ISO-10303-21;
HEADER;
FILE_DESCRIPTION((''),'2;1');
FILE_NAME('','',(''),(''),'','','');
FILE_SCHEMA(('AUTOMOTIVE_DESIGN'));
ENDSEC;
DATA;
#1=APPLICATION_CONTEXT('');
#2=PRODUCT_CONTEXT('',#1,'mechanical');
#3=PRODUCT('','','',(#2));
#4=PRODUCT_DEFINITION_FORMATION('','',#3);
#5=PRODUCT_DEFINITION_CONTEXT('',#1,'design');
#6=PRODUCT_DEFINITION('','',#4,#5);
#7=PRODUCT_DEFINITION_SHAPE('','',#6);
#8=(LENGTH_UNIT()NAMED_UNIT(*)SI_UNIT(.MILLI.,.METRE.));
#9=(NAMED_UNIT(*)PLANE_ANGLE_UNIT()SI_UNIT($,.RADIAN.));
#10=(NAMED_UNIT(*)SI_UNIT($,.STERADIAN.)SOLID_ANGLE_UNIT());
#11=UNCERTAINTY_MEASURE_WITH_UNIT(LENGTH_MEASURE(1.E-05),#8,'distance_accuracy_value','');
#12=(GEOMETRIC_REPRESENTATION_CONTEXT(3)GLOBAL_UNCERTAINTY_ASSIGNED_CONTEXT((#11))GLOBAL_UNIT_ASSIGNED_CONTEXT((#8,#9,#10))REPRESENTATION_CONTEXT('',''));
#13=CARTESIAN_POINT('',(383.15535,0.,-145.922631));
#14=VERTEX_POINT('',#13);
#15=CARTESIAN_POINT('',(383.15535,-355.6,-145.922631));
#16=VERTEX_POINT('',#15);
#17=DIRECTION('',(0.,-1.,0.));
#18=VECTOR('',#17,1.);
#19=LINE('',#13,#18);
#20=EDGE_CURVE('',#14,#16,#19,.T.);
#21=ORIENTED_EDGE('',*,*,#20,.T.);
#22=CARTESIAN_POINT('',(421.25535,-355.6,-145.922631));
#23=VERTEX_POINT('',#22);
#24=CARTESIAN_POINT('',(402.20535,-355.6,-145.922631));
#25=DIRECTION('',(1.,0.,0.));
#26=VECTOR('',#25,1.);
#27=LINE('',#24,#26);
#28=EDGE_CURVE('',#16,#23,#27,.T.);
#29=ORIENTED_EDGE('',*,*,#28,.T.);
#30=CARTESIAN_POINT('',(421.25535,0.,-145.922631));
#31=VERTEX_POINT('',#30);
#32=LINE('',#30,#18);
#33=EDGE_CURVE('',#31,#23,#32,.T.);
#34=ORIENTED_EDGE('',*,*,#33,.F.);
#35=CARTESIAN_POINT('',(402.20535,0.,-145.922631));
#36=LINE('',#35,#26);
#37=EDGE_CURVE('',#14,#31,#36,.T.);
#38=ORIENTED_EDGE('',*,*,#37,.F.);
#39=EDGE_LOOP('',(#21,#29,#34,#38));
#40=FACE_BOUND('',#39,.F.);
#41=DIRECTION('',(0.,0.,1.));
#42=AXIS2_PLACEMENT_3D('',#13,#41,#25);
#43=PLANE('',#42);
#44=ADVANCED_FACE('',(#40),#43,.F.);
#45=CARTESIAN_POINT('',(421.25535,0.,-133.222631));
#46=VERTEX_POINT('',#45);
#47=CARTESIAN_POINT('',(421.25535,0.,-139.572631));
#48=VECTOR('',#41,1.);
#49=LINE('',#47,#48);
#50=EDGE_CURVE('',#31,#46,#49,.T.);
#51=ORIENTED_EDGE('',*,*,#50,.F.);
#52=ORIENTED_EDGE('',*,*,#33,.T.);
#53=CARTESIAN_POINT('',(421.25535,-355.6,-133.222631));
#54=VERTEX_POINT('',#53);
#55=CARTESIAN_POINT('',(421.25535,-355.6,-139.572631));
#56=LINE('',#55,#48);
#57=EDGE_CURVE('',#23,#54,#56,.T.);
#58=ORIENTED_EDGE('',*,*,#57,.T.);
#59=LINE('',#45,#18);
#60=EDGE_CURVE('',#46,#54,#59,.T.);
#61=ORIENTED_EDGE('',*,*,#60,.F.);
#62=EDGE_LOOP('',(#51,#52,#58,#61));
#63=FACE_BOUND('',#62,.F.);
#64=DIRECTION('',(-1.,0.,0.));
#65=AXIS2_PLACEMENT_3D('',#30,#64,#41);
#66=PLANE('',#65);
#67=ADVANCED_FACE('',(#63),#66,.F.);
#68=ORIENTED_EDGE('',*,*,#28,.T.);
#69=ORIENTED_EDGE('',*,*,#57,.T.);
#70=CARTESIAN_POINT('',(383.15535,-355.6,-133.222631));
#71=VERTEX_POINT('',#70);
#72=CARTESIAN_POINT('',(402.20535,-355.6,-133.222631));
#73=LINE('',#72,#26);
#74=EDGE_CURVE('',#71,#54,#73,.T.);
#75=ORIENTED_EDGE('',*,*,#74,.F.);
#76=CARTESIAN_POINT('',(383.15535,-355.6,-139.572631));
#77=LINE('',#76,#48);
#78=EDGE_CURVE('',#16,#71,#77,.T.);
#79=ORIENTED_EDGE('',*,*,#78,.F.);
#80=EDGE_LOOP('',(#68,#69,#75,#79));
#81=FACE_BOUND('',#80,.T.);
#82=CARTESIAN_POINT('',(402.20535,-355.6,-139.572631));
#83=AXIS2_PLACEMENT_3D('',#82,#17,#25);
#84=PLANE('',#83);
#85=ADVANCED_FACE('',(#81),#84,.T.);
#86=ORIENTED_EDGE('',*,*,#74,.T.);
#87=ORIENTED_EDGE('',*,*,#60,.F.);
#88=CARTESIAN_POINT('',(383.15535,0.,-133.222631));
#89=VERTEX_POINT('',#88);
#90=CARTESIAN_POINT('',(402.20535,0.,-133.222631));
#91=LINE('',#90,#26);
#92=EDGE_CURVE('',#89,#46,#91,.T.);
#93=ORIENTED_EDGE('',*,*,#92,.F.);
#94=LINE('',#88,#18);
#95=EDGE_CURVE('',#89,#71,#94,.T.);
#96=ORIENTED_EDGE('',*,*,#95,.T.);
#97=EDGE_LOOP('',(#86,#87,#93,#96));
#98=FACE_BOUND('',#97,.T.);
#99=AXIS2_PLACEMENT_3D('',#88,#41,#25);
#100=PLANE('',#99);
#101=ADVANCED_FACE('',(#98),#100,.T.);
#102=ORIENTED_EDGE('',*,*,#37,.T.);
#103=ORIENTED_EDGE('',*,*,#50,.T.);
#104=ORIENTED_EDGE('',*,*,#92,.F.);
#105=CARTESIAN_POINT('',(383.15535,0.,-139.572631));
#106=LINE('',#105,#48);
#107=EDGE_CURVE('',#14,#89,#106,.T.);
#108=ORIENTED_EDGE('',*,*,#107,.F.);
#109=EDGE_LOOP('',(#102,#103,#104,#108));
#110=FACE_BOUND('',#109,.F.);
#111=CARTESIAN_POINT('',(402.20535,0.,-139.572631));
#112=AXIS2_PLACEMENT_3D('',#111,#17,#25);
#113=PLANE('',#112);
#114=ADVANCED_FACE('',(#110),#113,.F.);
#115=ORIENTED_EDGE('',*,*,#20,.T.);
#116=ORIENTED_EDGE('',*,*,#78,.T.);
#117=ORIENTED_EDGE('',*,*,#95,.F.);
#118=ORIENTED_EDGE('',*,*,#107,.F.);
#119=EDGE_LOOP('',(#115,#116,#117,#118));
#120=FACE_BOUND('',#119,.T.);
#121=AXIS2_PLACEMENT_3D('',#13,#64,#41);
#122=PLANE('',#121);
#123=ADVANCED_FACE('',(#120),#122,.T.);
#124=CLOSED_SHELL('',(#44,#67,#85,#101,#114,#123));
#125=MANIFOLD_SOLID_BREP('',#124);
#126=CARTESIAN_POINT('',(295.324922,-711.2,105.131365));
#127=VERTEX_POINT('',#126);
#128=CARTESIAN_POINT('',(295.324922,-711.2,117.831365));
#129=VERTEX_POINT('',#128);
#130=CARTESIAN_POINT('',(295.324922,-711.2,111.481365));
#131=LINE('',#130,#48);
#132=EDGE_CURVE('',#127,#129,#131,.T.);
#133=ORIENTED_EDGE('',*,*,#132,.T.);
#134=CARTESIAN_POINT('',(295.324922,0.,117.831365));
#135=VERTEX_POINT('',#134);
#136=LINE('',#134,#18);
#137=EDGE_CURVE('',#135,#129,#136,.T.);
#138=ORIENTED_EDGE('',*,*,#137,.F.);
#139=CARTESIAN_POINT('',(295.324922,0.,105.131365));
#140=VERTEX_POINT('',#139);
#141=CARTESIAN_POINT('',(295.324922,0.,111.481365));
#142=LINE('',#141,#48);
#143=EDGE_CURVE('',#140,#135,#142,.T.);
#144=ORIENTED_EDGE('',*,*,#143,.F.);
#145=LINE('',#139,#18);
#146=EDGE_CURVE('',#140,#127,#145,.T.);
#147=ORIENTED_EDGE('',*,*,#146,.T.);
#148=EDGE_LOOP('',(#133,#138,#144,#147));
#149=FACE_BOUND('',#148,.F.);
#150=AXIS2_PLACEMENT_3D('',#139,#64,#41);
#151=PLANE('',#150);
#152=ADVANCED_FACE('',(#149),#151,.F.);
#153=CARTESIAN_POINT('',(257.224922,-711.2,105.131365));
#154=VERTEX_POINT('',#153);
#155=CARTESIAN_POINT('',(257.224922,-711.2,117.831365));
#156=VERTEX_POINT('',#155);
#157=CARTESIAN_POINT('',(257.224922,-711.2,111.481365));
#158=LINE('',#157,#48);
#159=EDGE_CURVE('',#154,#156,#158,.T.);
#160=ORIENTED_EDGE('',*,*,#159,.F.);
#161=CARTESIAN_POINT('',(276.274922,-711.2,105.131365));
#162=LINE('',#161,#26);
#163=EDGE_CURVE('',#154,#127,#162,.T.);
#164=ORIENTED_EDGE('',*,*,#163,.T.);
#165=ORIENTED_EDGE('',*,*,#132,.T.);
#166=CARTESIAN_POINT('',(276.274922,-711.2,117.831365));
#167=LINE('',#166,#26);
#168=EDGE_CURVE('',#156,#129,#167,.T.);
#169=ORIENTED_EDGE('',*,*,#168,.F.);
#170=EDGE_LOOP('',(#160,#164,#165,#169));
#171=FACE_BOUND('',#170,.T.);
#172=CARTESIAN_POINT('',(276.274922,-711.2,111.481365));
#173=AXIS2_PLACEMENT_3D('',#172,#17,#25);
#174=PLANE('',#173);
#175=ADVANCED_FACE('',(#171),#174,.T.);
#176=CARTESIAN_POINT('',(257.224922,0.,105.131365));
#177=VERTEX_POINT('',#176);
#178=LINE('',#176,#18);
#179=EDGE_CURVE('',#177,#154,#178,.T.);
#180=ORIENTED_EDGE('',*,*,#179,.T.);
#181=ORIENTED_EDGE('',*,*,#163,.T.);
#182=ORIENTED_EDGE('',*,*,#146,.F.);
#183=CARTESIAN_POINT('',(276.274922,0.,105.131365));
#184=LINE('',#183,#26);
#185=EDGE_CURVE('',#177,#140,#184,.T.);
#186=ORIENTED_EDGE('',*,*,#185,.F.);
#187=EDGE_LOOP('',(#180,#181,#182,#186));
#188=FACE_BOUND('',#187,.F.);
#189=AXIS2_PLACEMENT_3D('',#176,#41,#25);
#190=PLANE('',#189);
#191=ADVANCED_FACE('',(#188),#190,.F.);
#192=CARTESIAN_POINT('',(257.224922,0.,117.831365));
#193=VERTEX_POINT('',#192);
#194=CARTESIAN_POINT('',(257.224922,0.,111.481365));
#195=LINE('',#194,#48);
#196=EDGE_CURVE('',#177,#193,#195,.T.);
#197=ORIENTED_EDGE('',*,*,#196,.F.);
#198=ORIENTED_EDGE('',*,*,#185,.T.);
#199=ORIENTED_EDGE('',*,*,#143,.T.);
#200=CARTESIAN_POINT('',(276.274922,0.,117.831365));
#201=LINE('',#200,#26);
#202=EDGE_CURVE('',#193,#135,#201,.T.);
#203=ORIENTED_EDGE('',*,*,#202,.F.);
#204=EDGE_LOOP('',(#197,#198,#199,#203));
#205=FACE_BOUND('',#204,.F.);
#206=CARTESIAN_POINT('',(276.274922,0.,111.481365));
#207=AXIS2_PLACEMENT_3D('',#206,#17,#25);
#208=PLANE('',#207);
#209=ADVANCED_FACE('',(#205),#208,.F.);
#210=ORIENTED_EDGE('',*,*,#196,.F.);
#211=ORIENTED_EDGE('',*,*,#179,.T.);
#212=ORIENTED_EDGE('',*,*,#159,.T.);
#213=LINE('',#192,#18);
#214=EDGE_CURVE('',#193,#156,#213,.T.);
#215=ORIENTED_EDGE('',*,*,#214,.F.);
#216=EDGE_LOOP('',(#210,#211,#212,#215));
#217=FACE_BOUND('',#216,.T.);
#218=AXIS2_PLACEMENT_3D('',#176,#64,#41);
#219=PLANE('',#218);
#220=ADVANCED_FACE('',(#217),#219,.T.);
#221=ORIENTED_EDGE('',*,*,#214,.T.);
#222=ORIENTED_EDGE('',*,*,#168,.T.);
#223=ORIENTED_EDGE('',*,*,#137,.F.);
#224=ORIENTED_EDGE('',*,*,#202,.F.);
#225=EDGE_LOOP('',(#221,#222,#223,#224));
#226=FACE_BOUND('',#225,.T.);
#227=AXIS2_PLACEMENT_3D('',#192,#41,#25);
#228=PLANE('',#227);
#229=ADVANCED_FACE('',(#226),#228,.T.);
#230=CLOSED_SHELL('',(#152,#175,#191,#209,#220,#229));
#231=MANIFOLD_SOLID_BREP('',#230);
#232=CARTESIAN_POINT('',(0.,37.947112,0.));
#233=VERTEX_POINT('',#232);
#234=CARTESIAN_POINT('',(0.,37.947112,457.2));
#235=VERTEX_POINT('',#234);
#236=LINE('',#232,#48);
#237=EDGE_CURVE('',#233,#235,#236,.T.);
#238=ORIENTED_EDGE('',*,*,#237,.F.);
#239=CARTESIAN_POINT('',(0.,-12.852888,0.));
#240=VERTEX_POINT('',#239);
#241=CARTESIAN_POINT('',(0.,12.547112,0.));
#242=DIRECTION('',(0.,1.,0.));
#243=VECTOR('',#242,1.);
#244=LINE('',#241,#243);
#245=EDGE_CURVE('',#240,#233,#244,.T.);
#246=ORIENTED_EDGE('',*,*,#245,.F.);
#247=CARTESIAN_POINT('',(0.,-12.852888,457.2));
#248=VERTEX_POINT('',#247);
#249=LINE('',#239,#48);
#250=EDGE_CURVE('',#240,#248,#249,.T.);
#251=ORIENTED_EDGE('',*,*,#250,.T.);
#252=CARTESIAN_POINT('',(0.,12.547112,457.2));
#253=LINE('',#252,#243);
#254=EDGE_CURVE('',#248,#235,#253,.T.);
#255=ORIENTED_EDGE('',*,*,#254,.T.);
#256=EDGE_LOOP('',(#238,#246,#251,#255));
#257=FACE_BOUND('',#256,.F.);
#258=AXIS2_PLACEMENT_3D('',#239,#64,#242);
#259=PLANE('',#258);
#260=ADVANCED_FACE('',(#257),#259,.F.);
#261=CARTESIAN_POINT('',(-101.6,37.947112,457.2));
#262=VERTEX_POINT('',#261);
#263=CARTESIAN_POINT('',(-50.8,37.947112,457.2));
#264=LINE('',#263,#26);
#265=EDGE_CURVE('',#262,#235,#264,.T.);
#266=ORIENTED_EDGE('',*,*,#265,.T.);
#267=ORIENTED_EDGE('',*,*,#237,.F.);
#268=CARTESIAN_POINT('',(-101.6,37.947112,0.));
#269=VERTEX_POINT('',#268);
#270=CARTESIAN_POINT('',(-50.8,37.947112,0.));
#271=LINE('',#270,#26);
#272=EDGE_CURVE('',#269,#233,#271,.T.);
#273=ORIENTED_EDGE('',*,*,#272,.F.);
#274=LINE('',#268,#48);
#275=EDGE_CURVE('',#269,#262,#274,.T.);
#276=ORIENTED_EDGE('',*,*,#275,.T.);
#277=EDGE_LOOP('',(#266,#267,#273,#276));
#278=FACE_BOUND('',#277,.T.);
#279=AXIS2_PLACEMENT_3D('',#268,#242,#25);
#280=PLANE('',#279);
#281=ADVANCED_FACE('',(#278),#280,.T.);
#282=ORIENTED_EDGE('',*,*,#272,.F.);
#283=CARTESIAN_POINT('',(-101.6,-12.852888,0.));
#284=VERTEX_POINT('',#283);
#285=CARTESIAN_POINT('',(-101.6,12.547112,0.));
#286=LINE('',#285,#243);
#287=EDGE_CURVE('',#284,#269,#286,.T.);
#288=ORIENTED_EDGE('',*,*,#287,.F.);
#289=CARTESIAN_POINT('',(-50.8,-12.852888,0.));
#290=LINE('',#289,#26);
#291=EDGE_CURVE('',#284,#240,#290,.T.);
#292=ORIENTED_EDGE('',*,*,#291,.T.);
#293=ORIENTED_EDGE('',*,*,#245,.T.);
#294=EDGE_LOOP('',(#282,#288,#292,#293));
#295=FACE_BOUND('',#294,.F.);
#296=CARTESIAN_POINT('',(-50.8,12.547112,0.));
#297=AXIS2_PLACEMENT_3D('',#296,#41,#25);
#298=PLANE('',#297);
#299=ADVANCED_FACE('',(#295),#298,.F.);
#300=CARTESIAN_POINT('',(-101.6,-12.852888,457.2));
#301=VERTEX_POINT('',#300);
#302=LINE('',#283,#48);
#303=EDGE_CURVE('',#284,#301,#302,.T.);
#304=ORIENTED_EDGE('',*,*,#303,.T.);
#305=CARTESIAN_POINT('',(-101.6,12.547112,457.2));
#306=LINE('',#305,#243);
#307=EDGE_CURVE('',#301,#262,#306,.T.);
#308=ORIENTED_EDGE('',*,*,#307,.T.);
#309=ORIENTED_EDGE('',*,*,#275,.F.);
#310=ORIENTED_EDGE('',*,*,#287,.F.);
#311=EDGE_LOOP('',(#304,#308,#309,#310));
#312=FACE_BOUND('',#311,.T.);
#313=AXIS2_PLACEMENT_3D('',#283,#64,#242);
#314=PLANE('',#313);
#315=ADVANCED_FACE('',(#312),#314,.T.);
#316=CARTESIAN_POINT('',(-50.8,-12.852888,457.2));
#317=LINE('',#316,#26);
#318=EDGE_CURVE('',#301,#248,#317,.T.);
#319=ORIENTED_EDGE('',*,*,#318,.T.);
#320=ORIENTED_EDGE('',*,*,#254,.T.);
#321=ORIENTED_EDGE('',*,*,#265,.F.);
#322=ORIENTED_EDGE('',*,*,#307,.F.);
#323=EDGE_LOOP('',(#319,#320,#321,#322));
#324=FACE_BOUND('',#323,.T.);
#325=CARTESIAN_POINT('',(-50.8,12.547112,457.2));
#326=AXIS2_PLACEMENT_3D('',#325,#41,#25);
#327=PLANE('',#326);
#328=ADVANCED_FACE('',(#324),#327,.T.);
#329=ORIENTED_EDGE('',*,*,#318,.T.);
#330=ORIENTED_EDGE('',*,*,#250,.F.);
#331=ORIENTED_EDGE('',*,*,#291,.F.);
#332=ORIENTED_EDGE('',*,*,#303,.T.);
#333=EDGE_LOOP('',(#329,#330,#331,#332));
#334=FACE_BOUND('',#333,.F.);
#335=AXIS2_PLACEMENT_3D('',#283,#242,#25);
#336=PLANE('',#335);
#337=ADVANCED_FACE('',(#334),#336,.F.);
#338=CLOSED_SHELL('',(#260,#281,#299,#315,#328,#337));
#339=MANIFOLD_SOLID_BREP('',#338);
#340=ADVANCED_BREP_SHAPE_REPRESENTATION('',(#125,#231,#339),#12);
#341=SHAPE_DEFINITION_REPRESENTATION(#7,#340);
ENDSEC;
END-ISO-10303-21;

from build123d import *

# Parameters (mm, degrees)
F0_W     = 101.6
F0_H     = 50.8
F1_DEPTH = 457.2
F2_W     = 38.1
F2_H     = 12.7
F3_DEPTH = 355.6
F4_W     = 38.1
F4_H     = 12.7
F5_DEPTH = 711.2


with BuildPart() as f1:
    # F0 (on Top) → F1 (new body)
    with BuildSketch(Plane.XY):
        with Locations((-50.8, 12.547112)):
            Rectangle(F0_W, F0_H)
    extrude(amount=F1_DEPTH)


with BuildPart() as f3:
    # F2 (on Front) → F3 (new body)
    with BuildSketch(Plane.XZ):
        with Locations((402.20535, -139.572631)):
            Rectangle(F2_W, F2_H)
    extrude(amount=F3_DEPTH)


with BuildPart() as f5:
    # F4 (on Front) → F5 (new body)
    with BuildSketch(Plane.XZ):
        with Locations((276.274922, 111.481365)):
            Rectangle(F4_W, F4_H)
    extrude(amount=F5_DEPTH)


solid = Compound([f1.part, f3.part, f5.part])
